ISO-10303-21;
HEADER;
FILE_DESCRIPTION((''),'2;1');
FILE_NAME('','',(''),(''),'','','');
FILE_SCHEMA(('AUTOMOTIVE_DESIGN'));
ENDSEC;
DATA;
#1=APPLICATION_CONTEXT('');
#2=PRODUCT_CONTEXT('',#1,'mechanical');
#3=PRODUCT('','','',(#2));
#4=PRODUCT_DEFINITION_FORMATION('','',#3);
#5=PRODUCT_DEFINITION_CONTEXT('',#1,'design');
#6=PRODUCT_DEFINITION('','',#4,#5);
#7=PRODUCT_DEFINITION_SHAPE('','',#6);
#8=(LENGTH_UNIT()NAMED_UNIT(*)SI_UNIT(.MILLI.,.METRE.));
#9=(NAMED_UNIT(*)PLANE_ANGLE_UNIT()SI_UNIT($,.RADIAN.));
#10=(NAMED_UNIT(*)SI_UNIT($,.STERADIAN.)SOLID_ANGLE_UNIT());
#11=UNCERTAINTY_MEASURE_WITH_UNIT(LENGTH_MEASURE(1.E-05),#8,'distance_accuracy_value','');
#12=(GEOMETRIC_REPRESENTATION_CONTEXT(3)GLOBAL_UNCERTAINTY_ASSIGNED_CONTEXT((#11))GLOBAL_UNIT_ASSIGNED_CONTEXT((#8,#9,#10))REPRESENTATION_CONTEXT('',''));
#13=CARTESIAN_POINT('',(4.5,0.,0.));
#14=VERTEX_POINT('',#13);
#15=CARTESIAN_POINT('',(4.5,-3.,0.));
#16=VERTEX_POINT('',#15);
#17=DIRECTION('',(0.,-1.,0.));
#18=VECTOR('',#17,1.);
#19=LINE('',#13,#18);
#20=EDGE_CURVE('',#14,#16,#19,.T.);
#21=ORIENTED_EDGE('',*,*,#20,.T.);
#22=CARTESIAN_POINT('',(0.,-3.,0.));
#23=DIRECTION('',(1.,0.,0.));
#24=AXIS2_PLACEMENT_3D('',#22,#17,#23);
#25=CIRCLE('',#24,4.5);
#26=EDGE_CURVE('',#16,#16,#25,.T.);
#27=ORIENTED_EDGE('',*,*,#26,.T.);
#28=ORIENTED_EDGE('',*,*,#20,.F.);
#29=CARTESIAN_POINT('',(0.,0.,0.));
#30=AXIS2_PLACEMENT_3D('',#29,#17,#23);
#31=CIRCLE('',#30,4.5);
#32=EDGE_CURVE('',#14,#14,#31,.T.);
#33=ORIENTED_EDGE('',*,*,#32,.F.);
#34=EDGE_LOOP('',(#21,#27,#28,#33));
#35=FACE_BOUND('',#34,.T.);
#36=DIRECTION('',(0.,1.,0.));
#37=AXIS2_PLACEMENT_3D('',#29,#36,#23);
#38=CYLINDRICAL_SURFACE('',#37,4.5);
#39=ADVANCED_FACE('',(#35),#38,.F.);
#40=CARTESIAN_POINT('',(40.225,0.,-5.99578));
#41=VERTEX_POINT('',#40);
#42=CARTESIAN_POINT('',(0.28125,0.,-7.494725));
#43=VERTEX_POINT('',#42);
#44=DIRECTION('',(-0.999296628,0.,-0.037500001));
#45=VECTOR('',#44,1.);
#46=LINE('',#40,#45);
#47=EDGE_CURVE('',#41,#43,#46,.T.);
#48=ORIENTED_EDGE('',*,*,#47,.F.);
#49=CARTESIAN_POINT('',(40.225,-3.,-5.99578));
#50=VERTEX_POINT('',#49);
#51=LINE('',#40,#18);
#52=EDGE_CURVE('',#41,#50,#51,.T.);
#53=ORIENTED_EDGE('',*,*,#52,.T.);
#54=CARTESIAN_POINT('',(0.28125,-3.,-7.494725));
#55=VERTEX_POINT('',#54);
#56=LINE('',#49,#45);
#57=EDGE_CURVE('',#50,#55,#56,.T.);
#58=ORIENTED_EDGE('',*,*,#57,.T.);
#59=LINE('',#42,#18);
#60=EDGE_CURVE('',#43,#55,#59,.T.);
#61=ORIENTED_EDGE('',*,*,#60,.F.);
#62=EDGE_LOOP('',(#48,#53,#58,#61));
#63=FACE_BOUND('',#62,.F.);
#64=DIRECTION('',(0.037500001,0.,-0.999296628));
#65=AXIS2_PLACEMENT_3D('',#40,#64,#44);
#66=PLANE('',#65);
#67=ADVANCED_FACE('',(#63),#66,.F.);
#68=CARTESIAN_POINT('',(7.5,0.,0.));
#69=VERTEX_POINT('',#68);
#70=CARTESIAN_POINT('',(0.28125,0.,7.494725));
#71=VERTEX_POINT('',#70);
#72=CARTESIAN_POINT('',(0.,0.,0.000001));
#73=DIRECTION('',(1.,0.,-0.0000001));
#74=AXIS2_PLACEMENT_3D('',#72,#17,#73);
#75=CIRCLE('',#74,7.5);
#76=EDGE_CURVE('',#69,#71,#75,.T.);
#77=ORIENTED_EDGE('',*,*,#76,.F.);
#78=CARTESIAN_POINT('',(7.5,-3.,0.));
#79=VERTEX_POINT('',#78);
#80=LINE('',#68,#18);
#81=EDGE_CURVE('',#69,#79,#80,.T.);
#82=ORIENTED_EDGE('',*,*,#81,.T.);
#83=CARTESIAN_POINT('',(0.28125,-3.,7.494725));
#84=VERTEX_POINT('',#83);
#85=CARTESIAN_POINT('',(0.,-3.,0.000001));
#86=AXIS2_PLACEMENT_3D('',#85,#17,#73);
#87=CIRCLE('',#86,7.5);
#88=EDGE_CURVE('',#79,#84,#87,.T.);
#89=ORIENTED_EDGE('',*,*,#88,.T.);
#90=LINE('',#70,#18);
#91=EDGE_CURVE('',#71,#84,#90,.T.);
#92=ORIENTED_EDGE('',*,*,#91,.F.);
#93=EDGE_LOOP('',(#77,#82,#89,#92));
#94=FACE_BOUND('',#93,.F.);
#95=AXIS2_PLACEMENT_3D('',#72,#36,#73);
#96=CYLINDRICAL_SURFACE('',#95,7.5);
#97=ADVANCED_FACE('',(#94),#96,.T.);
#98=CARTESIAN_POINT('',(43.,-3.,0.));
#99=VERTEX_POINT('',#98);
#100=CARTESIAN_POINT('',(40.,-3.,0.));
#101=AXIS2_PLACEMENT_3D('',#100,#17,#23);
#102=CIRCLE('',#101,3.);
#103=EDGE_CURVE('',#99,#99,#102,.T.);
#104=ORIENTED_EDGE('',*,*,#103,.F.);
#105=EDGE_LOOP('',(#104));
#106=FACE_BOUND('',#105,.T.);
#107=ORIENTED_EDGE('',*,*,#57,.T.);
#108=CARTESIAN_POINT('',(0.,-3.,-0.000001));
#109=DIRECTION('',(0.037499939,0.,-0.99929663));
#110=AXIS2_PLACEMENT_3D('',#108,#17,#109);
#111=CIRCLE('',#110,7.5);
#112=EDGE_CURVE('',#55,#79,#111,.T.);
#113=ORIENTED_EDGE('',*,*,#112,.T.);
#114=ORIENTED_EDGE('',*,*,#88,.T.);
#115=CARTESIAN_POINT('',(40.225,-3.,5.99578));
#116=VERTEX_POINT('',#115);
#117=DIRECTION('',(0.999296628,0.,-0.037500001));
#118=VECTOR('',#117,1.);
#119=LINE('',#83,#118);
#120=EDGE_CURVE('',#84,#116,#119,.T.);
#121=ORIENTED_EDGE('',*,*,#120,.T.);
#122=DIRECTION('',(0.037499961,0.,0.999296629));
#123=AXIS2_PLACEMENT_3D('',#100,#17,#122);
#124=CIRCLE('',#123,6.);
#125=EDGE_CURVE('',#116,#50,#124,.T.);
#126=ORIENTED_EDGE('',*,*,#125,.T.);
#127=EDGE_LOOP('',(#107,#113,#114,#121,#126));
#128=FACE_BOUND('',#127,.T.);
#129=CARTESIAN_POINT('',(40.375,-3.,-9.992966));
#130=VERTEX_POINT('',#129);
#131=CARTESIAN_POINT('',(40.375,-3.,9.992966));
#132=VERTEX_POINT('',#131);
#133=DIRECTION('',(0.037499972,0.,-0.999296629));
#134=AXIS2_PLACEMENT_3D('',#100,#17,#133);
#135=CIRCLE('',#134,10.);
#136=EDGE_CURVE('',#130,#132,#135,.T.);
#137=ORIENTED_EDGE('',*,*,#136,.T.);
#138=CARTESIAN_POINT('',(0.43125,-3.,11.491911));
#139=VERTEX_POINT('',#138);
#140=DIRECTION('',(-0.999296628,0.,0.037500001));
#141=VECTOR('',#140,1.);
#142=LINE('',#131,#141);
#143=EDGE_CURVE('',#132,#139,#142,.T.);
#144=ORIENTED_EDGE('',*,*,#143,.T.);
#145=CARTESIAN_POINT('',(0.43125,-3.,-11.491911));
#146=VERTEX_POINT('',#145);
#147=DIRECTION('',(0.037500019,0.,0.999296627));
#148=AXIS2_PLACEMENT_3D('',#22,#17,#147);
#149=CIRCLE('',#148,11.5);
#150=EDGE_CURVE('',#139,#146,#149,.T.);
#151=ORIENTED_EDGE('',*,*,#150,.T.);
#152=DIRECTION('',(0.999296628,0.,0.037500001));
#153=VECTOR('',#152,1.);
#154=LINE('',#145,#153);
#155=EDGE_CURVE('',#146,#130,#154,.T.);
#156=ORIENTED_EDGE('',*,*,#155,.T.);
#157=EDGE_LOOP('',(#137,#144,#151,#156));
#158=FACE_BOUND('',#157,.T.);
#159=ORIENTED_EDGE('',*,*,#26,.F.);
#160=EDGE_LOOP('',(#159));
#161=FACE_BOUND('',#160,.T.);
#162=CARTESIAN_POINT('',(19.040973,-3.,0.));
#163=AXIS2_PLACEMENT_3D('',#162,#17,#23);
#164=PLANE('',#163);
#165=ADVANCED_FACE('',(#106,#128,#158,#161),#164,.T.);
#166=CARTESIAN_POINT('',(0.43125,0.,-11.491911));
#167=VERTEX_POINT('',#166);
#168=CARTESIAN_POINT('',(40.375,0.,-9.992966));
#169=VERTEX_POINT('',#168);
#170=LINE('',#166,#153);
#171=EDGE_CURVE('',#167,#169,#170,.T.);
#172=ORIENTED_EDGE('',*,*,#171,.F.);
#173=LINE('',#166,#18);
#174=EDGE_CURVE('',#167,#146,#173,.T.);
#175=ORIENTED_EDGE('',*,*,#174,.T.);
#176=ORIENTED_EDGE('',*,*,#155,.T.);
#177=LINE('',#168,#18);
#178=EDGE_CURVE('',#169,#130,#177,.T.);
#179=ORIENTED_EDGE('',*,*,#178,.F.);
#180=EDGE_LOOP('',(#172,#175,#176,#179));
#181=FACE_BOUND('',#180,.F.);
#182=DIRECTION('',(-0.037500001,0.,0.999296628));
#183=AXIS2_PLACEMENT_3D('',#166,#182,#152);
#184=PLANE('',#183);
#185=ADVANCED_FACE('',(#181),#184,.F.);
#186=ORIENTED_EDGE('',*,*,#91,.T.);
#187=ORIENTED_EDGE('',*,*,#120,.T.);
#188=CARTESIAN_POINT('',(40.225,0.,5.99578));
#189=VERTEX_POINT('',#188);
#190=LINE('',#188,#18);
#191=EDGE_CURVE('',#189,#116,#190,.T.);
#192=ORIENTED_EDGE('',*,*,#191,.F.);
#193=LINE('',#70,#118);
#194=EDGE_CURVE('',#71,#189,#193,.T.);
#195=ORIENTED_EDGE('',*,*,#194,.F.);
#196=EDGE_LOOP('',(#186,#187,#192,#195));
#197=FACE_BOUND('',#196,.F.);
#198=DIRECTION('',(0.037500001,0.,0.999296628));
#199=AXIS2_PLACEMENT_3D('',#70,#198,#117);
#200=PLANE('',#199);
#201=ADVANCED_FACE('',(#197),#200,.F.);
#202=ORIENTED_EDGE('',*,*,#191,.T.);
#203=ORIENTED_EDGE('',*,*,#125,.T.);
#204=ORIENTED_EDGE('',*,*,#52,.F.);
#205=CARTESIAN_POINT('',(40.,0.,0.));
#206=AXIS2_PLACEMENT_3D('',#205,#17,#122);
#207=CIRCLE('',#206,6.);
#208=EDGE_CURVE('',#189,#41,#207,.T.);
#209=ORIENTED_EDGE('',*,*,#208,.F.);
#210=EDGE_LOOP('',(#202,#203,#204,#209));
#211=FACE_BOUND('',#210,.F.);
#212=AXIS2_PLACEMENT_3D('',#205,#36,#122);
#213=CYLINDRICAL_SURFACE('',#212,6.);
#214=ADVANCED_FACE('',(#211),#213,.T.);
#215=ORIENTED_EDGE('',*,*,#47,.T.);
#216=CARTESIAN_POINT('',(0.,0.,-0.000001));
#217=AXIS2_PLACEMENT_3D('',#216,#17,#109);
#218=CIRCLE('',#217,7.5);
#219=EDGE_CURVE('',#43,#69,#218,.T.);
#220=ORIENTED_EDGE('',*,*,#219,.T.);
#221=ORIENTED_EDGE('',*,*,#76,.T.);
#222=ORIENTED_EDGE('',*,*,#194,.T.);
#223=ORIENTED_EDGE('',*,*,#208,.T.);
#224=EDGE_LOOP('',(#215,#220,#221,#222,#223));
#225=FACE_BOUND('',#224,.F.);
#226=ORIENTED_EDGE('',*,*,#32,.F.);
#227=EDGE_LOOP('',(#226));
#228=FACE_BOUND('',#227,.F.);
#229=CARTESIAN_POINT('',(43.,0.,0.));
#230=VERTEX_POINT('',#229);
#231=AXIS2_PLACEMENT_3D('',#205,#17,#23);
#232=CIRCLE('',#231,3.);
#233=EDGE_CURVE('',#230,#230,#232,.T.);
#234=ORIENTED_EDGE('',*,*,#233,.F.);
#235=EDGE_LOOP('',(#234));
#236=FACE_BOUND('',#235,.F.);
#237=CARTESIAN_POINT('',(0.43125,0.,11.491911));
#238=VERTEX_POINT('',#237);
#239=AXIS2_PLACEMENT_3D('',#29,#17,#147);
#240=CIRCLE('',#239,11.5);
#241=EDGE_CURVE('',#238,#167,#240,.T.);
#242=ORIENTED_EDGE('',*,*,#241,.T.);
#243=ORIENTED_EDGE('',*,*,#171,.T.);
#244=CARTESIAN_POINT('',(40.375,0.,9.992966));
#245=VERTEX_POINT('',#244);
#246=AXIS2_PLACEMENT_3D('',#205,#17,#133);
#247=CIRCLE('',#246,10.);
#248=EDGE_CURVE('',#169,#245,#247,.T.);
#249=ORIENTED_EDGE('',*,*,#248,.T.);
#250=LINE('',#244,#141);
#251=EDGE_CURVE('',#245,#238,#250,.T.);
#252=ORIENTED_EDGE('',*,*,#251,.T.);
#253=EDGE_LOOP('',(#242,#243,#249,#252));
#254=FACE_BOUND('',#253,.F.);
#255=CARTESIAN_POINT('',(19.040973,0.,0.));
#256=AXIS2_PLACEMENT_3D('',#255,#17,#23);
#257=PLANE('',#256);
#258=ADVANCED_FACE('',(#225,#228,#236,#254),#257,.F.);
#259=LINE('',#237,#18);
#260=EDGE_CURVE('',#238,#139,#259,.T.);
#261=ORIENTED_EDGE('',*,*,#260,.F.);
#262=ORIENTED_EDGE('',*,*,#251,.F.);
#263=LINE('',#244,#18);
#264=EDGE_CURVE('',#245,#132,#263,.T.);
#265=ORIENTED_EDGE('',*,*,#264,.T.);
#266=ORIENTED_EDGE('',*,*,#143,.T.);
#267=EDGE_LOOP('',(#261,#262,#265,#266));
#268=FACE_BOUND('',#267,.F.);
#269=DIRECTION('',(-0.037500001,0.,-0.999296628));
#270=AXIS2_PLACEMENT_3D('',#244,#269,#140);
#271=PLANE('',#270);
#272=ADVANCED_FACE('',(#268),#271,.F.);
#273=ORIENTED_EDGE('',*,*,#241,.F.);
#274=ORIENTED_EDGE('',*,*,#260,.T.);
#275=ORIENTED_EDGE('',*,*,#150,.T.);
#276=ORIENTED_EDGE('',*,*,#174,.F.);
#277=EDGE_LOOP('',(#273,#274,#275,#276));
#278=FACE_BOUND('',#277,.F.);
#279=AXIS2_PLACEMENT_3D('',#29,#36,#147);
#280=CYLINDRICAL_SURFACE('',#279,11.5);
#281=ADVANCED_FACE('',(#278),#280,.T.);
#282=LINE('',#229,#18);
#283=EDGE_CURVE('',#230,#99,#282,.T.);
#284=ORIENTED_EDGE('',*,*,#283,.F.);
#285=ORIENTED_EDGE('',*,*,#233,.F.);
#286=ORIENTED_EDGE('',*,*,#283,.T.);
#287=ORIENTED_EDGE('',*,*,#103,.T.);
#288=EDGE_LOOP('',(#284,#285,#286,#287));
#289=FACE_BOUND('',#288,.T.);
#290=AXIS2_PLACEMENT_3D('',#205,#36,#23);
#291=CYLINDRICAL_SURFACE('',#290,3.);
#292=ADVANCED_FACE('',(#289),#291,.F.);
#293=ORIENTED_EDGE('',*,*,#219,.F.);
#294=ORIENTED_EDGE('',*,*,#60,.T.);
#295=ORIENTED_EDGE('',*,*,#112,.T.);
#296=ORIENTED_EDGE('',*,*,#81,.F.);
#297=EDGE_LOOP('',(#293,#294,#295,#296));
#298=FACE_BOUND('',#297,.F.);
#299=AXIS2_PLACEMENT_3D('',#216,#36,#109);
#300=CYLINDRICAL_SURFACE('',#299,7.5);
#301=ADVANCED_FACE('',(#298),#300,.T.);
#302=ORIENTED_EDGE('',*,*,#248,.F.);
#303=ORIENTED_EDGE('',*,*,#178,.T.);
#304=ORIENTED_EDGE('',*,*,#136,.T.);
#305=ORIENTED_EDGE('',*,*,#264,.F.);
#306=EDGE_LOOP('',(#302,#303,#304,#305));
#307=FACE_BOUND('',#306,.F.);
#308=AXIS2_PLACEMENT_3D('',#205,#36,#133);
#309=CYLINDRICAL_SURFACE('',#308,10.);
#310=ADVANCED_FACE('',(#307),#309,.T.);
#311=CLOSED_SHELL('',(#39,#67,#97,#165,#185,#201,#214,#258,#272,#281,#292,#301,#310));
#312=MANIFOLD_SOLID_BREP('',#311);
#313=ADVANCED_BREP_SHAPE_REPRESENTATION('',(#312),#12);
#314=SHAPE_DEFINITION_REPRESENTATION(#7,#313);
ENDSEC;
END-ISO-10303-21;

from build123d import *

# Parameters (mm, degrees)
F0_R     = 4.5
F0_R_2   = 3
F1_DEPTH = 3


with BuildPart() as f1:
    # F0 (on Front) → F1 (new body)
    with BuildSketch(Plane.XZ):
        with BuildLine():
            Line((40.375, 9.992966), (0.43125, 11.491911))
            ThreePointArc((0.43125, 11.491911), (-11.5, 0), (0.43125, -11.491911))
            Line((0.43125, -11.491911), (40.375, -9.992966))
            ThreePointArc((40.375, -9.992966), (50, 0), (40.375, 9.992966))
        make_face()
        with BuildLine():
            ThreePointArc((0.28125, -7.494725), (-7.5, 0), (0.28125, 7.494725))
            Line((0.28125, 7.494725), (40.225, 5.99578))
            ThreePointArc((40.225, 5.99578), (44.321458, 4.162331), (46, 0))
            ThreePointArc((46, 0), (44.321458, -4.162331), (40.225, -5.99578))
            Line((40.225, -5.99578), (0.28125, -7.494725))
        make_face(mode=Mode.SUBTRACT)
        with BuildLine():
            ThreePointArc((7.5, 0), (5.401823, 5.202914), (0.28125, 7.494725))
            ThreePointArc((0.28125, 7.494725), (-7.5, 0), (0.28125, -7.494725))
            ThreePointArc((0.28125, -7.494725), (5.401823, -5.202914), (7.5, 0))
        make_face()
        Circle(F0_R, mode=Mode.SUBTRACT)
        with BuildLine():
            ThreePointArc((46, 0), (44.321458, 4.162331), (40.225, 5.99578))
            ThreePointArc((40.225, 5.99578), (34, 0), (40.225, -5.99578))
            ThreePointArc((40.225, -5.99578), (44.321458, -4.162331), (46, 0))
        make_face()
        with Locations((40, 0)):
            Circle(F0_R_2, mode=Mode.SUBTRACT)
    extrude(amount=F1_DEPTH)


solid = f1.part
